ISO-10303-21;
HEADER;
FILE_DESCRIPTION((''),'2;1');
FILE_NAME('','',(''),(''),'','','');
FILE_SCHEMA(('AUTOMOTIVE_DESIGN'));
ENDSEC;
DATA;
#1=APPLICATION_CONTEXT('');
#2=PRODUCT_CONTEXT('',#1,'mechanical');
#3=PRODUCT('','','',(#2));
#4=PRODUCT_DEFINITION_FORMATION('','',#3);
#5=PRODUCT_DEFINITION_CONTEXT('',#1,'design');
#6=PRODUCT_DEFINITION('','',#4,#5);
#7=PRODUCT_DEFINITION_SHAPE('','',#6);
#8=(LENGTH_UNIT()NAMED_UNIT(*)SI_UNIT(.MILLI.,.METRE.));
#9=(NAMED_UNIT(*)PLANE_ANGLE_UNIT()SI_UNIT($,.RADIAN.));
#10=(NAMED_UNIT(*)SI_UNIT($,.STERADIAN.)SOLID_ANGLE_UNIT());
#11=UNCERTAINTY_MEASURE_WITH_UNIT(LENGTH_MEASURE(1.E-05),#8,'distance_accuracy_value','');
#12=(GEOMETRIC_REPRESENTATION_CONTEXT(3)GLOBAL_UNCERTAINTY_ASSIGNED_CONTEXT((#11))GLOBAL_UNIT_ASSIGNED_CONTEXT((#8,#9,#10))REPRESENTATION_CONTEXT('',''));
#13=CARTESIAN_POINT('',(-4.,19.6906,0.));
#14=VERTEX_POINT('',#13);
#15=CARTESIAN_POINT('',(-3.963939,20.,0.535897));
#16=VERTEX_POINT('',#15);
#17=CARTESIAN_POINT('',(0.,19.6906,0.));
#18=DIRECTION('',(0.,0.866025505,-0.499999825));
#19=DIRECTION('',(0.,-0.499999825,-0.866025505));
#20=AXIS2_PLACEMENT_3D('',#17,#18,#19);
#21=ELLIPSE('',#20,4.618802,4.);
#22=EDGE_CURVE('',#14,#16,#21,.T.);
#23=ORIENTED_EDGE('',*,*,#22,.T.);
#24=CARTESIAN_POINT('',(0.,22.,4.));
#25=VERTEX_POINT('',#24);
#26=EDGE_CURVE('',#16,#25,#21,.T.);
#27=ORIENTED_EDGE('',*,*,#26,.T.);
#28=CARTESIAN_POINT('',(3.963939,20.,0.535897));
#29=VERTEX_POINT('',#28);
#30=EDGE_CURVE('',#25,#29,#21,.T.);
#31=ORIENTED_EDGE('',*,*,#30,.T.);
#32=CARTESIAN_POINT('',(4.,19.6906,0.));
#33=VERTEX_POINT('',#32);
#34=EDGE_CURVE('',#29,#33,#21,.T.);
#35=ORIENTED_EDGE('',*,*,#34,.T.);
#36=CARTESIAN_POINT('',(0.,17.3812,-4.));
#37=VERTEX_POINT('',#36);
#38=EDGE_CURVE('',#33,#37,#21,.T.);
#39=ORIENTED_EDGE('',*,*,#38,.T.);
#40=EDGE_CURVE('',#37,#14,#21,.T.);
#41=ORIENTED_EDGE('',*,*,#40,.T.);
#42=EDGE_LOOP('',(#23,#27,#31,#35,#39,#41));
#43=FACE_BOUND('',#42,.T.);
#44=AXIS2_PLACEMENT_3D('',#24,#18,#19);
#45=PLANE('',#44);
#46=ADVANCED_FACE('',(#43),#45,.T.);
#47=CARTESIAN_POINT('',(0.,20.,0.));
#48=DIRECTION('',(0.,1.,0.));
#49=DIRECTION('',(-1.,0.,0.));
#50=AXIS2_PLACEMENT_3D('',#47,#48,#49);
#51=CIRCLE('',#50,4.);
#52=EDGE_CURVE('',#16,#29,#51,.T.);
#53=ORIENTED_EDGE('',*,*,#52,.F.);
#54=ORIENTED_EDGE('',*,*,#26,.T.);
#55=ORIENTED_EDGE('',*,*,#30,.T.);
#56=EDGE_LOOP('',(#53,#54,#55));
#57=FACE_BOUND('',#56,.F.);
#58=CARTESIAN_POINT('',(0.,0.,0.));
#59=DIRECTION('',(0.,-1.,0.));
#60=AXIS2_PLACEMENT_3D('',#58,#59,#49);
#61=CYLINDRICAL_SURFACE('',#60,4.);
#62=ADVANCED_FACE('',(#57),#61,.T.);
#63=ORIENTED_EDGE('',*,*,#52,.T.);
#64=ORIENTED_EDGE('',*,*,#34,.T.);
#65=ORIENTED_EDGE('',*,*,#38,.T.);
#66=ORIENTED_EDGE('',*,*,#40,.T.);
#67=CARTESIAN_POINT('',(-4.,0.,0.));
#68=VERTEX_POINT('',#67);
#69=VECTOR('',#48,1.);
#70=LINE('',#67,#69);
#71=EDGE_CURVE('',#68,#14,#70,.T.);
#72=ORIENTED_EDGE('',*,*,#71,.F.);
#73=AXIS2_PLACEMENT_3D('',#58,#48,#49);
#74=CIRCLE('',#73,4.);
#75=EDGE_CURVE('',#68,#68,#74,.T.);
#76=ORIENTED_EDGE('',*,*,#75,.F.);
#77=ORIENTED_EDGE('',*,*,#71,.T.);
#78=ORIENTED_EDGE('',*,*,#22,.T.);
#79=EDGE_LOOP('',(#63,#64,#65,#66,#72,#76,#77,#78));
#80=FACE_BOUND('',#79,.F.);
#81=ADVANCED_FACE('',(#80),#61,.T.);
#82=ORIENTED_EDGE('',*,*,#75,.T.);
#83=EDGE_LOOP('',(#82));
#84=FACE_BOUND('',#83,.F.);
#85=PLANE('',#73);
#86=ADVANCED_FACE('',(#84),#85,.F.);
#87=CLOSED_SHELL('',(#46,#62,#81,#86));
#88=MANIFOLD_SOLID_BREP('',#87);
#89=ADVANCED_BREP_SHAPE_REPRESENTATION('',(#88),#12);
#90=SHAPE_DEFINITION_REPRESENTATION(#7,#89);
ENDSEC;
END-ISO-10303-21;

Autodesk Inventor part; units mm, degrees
ref_plane "YZ Plane" through (0, 0, 0) normal (1, 0, 0) x (0, 1, 0)
ref_plane "XZ Plane" through (0, 0, 0) normal (0, 1, 0) x (-1, 0, 0)
sketch "Sketch1" plane through (0, 0, 0) normal (0, 1, 0) x (-1, 0, 0)
  circle A0 centre (0, 0) radius 4
  dimension "d0" = 8
extrude "Extrusion1" add sketch "Sketch1" along normal blind 20
sketch "Sketch2" plane through (0, 20, 0) normal (0, 1, 0) x (1, 0, 0)
  circle A0 centre (0, 0) radius 4
  dimension "d3" = 8
extrude "Extrusion2" add sketch "Sketch2" along normal blind 2
sketch "Sketch3" plane through (0, 0, 0) normal (1, 0, 0) x (0, 1, 0)
  line L0 (22, -4) -> (22, 4) projected
  line L1 (22, 4) -> (17.3812, -4)
  line L2 (0, -4) -> (22, -4) projected
  line L3 (22, 4) -> (31.2376, 4) construction
  line L4 (17.3812, -4) -> (22, -4)
  line L5 (22, 4) -> (22, -4)
  point P0 (0, 0)
  dimension "d6" = 120
extrude "Extrusion3" cut sketch "Sketch3" along normal through all both and the other way through all
sketch "Sketch4" plane through (0, 0, 0) normal (1, 0, 0) x (0, 1, 0)
  point P0 (0, 0)
ref_plane "Work Plane2" through (0, 19.6906, 0) normal (0, 0.5, 0.866) x (-1, 0, 0)
ref_plane "Work Plane1" through (0, 19.6906, 0) normal (0, 0.866, 0.5) x (1, 0, 0)
properties part number "Camera encasing" material "Rubber"
